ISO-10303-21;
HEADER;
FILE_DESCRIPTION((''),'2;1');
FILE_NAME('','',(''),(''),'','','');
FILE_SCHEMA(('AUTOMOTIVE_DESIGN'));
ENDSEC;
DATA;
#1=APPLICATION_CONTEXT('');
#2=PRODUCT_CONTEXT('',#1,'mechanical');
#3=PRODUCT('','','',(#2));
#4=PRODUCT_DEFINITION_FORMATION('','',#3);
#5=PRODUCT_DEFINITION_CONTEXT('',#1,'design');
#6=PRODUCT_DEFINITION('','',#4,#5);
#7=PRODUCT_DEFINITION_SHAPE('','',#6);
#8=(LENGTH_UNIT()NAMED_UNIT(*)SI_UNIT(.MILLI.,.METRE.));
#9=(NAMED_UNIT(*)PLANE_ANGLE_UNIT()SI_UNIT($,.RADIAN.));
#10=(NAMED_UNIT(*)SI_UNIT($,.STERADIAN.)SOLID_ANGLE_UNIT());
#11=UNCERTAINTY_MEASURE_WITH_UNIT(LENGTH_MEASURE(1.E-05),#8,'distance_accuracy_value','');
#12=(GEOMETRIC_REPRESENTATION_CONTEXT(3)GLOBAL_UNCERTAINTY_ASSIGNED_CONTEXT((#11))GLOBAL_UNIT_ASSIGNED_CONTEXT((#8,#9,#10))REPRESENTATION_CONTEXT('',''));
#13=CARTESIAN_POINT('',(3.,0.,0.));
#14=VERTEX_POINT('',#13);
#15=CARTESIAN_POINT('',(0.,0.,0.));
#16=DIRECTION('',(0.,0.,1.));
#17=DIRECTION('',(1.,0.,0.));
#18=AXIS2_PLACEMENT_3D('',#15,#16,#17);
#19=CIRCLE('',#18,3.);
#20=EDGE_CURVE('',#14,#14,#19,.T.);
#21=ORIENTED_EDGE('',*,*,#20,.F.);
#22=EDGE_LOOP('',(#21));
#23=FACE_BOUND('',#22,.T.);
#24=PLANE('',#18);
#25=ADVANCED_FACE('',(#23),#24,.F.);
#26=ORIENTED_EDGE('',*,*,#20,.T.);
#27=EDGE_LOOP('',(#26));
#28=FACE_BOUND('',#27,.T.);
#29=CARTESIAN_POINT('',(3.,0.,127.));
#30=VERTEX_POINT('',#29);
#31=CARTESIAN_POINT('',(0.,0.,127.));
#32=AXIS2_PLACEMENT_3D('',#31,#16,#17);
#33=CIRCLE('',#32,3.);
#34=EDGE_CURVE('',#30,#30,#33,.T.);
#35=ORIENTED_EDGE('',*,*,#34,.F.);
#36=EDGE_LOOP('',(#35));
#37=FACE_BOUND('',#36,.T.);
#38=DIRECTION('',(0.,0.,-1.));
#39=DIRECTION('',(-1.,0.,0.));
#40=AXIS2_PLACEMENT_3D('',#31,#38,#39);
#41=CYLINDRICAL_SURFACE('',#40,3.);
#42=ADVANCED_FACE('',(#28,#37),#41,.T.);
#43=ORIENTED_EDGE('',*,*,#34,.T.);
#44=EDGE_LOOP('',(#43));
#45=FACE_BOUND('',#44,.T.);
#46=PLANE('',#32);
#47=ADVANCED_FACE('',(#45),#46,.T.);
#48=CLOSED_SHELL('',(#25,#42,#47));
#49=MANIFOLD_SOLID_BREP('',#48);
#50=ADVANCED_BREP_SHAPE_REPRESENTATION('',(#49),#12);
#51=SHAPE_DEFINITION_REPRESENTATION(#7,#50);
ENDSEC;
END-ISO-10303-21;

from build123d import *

# Parameters (mm, degrees)
S01_THREAD_MAJOR_DIAMETER_R      = 3
F_01_THREAD_MAJOR_DIAMETER_DEPTH = 127


with BuildPart() as part:
    # S01 - Thread major diameter → 01 - Thread major diameter (new body)
    with BuildSketch(Plane.XY):
        Circle(S01_THREAD_MAJOR_DIAMETER_R)
    extrude(amount=F_01_THREAD_MAJOR_DIAMETER_DEPTH)


solid = part.part
